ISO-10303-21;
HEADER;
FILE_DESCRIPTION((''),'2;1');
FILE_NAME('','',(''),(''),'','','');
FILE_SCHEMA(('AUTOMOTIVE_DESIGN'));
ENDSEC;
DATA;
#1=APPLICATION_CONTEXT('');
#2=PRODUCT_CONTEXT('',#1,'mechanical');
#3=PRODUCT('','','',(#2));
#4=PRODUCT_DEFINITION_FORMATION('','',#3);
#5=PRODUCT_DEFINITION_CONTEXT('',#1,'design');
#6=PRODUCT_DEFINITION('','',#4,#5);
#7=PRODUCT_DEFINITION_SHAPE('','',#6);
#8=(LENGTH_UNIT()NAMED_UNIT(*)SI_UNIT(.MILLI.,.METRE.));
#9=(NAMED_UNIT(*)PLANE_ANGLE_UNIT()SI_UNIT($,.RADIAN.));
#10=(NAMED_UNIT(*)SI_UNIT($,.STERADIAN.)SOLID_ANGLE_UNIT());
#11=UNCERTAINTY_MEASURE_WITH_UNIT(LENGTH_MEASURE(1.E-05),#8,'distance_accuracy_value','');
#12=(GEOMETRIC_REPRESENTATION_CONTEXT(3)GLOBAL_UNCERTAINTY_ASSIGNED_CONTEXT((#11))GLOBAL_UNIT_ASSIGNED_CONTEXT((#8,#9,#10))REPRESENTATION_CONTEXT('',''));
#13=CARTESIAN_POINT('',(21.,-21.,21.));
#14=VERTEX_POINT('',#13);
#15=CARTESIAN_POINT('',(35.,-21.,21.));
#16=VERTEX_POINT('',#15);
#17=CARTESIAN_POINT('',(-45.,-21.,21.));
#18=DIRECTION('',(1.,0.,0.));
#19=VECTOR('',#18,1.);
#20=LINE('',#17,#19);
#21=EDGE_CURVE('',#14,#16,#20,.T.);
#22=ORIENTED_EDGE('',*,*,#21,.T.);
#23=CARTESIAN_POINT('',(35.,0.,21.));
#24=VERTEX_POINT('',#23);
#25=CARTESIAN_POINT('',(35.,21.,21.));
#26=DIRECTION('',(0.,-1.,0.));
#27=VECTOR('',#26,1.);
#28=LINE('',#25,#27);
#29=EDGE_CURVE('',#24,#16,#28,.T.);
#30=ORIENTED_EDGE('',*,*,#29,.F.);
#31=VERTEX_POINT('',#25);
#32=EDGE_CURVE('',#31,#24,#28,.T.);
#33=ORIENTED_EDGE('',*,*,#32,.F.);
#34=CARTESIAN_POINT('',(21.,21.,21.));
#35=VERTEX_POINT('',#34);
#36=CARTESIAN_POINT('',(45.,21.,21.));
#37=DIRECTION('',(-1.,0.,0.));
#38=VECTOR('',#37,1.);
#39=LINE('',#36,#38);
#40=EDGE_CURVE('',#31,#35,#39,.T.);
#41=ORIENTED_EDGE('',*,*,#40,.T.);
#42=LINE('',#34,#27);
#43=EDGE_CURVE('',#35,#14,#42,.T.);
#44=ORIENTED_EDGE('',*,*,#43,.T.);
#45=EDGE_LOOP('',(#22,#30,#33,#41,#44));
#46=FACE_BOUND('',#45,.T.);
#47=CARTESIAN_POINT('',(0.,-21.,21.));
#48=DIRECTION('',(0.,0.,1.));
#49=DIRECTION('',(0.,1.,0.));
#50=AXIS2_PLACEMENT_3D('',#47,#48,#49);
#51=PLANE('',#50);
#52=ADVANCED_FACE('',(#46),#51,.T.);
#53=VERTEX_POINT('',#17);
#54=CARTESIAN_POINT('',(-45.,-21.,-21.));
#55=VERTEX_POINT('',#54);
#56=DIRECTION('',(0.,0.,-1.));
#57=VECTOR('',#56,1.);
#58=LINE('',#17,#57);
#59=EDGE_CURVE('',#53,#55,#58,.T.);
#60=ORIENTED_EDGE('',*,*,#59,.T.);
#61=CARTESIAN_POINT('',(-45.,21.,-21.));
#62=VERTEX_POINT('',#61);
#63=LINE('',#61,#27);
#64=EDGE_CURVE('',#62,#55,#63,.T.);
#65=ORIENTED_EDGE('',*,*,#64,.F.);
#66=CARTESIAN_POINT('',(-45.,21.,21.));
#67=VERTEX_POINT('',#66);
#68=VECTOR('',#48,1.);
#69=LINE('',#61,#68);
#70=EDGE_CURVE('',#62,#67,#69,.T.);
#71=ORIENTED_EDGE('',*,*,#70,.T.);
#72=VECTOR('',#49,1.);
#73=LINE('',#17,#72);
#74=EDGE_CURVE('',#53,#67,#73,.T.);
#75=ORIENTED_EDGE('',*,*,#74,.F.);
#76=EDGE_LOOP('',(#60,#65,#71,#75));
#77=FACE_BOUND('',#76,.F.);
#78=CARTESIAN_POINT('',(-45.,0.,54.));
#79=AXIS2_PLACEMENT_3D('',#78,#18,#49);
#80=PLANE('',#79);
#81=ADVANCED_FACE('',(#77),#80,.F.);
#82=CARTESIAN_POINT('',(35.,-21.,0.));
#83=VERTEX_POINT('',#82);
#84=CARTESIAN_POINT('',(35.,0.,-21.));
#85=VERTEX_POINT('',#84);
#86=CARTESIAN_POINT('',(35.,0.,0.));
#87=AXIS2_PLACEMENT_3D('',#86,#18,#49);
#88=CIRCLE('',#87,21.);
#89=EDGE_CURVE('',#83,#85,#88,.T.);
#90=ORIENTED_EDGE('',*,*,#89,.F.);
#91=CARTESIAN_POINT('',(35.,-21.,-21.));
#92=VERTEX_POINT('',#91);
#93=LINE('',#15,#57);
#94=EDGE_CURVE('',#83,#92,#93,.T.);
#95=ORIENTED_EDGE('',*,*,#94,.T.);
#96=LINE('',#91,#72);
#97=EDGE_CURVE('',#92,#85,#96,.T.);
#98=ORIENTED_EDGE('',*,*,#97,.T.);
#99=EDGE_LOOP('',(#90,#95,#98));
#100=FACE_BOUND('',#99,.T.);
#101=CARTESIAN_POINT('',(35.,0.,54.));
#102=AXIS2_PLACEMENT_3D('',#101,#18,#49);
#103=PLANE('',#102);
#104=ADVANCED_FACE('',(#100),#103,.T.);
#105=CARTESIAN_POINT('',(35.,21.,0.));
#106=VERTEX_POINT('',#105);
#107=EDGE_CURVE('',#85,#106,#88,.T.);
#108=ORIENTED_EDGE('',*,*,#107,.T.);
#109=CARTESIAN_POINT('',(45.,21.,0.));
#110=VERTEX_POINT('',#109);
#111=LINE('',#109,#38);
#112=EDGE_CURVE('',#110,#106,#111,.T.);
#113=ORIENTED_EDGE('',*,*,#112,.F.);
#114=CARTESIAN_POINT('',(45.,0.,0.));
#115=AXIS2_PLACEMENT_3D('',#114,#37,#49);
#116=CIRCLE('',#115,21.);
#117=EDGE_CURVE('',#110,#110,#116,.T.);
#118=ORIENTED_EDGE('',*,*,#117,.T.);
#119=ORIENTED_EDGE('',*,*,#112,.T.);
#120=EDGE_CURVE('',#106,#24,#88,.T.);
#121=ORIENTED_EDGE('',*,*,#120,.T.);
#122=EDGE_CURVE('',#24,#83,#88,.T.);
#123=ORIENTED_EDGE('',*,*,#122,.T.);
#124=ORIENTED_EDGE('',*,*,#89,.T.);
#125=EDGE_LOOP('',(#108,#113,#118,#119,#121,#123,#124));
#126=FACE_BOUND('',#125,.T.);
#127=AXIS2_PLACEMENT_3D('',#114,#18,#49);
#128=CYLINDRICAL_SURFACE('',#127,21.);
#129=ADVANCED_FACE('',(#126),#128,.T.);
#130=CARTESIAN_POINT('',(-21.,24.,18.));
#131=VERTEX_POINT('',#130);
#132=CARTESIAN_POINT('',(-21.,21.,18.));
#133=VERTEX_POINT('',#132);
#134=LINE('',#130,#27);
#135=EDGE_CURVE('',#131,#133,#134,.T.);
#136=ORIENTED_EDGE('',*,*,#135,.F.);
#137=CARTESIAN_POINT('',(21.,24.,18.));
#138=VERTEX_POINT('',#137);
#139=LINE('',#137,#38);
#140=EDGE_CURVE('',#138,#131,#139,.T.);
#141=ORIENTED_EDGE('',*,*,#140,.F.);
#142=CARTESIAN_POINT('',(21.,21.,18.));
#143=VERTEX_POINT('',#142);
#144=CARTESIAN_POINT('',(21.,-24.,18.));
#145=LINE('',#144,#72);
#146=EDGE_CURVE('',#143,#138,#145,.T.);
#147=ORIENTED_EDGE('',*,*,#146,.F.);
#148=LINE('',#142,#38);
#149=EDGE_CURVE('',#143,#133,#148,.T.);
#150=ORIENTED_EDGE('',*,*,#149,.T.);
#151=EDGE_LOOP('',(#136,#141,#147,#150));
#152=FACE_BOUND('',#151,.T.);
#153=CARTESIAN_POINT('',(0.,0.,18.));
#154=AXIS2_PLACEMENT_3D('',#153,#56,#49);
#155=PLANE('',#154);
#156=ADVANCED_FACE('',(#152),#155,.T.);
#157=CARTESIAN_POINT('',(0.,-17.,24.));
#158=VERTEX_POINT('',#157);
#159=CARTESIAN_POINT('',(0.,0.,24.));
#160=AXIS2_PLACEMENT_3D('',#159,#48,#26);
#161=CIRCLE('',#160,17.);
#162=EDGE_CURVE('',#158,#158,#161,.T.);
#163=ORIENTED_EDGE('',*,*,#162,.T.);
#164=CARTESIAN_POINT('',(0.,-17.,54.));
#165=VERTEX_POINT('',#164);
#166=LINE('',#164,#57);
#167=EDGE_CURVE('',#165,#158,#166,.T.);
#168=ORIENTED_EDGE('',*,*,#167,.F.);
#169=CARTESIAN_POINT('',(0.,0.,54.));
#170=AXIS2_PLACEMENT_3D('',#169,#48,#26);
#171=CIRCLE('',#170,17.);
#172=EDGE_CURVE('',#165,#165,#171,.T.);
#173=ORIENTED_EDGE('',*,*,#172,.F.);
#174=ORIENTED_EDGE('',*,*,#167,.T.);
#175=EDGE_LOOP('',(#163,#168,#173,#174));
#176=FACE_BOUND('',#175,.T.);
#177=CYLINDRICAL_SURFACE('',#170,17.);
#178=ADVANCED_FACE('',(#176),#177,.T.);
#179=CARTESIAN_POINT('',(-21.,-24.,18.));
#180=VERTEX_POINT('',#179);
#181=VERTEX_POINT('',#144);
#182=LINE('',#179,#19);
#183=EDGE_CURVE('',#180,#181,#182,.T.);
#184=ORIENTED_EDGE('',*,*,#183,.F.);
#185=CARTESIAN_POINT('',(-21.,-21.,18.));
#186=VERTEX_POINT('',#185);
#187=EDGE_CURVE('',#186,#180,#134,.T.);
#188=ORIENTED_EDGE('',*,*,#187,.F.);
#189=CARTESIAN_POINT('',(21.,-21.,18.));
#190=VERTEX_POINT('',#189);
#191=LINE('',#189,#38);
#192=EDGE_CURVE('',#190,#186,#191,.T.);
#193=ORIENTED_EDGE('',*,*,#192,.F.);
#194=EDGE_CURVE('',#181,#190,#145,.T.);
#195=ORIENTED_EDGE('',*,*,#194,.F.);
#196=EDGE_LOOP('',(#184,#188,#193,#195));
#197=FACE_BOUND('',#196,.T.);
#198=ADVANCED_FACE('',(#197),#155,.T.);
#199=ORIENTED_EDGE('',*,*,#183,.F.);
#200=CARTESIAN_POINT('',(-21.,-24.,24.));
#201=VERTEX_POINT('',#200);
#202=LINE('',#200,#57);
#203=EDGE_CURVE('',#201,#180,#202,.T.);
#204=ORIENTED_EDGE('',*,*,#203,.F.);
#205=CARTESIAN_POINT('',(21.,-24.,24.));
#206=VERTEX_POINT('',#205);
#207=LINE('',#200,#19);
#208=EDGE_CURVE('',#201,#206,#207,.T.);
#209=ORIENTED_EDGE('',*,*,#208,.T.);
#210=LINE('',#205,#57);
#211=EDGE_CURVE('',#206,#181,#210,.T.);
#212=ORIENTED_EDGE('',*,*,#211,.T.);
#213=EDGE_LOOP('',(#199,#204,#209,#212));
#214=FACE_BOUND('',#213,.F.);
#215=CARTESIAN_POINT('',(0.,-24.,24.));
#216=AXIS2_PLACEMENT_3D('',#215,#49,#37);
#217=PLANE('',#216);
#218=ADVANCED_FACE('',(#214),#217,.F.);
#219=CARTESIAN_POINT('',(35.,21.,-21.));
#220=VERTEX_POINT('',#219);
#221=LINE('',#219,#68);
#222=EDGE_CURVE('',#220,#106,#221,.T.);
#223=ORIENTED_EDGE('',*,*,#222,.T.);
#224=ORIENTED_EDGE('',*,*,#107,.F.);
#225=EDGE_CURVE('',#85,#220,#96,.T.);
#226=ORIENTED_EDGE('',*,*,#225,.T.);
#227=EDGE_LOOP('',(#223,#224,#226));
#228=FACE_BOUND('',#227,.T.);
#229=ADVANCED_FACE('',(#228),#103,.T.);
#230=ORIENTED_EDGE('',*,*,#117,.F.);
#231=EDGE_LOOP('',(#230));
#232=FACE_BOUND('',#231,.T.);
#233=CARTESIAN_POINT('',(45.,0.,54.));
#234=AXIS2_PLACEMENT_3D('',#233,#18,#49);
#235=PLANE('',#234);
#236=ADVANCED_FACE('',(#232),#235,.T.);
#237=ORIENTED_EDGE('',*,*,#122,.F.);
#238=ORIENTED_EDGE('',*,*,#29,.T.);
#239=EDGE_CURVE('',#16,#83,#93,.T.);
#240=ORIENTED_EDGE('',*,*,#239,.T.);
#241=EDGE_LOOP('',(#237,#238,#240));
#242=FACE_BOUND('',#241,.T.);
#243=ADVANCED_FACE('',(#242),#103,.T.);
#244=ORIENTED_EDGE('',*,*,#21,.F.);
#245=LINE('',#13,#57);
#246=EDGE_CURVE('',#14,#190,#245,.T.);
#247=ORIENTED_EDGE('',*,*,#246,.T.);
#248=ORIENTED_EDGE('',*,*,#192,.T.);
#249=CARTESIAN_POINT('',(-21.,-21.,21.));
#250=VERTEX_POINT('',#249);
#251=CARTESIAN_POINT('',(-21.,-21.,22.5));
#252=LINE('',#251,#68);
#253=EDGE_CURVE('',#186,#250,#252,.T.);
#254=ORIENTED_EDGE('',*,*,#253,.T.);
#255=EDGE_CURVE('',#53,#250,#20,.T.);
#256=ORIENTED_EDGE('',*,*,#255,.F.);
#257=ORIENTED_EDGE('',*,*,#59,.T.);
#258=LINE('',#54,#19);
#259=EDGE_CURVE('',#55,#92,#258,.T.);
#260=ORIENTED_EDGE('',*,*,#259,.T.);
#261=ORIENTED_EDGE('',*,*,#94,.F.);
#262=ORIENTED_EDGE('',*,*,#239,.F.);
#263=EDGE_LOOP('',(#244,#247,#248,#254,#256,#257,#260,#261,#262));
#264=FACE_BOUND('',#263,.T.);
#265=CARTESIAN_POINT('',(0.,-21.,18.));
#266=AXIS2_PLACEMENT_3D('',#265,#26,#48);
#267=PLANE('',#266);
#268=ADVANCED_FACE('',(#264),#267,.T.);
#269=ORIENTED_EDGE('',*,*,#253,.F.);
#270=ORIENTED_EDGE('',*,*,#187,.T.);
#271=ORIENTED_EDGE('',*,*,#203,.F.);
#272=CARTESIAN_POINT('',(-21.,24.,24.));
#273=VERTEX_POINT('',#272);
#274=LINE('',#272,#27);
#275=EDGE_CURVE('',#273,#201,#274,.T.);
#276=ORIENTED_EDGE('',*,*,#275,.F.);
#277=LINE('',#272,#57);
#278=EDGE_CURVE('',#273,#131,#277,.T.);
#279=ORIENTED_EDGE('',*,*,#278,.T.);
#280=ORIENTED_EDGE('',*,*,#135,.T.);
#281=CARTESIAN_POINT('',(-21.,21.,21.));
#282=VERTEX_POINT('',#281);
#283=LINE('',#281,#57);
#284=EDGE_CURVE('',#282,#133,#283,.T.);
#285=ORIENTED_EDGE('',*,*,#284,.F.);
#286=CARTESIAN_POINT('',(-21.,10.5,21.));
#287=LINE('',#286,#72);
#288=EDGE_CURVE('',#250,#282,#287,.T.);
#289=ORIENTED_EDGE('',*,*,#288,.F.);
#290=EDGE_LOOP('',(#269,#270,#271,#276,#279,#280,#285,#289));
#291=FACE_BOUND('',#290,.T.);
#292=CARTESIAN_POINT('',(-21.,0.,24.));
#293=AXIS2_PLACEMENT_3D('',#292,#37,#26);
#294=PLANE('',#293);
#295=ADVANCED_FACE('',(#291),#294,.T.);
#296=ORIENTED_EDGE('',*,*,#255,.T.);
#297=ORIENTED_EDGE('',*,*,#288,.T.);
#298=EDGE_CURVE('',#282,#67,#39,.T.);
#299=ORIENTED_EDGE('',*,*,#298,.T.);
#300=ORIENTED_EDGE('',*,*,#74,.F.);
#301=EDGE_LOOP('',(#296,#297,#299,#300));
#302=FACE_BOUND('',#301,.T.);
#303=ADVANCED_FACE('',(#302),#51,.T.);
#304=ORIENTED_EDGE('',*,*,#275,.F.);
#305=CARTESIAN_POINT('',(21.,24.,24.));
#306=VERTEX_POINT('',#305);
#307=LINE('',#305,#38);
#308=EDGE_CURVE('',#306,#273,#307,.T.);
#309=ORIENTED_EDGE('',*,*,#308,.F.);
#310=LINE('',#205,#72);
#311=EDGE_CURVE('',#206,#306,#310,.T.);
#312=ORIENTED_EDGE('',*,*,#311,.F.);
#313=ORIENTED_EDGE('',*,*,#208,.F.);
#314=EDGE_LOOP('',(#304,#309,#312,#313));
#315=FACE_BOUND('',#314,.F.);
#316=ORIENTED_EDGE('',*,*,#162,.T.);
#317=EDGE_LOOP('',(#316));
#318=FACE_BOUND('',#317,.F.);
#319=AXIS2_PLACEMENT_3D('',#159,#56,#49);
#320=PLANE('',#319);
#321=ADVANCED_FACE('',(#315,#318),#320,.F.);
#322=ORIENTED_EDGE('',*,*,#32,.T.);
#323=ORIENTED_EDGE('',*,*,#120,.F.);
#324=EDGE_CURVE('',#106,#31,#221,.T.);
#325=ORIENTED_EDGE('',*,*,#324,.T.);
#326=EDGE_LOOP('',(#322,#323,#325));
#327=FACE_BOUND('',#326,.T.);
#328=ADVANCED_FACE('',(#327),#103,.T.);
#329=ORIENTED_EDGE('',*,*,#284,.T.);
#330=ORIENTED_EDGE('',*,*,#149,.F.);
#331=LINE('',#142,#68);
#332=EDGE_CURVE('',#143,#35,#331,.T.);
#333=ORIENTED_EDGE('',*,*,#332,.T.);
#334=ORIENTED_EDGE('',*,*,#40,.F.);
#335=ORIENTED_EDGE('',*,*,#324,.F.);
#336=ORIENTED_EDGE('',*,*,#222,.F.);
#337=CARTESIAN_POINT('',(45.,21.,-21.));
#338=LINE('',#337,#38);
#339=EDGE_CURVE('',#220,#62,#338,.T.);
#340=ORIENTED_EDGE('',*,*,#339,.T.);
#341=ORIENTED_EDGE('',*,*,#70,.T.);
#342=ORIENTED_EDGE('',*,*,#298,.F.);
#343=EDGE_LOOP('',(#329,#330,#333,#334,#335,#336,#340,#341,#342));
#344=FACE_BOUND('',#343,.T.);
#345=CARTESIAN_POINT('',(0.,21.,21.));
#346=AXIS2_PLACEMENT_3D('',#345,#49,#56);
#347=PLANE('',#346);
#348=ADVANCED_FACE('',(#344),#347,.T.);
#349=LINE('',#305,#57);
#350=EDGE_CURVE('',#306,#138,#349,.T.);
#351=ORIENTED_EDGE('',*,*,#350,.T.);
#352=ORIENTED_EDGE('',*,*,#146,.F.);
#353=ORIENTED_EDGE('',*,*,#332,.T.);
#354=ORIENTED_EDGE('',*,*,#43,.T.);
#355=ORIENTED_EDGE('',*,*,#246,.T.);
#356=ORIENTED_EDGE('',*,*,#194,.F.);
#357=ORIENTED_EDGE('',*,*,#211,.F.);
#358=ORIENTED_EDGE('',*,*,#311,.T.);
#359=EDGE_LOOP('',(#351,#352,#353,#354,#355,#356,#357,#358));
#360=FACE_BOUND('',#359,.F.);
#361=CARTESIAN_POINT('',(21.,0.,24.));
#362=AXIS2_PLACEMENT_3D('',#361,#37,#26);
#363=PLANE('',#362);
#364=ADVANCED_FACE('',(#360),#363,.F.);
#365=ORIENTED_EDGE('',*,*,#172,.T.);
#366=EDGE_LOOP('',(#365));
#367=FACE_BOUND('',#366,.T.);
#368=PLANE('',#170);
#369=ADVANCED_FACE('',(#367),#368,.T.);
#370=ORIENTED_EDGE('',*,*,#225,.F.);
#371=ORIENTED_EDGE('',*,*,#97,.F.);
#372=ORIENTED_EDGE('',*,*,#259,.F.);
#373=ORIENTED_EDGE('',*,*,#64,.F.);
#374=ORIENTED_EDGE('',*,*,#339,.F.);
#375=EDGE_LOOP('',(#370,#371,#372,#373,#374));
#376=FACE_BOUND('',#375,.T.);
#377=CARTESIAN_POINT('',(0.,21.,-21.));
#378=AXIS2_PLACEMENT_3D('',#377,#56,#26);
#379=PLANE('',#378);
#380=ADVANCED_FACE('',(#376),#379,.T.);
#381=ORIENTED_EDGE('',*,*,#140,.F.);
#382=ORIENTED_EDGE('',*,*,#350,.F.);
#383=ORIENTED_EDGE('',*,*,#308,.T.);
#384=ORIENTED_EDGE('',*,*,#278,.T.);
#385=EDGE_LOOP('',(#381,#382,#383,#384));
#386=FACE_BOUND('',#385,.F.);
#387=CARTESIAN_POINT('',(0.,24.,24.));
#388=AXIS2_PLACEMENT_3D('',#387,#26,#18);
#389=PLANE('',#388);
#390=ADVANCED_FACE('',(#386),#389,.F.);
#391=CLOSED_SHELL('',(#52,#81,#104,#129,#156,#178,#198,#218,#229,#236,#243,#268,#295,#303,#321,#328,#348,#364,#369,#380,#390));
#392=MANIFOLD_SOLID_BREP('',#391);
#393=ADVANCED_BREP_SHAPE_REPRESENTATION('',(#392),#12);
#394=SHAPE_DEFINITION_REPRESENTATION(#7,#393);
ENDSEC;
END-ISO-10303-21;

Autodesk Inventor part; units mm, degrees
ref_plane "YZ Plane" through (0, 0, 0) normal (1, 0, 0) x (0, 1, 0)
ref_plane "XZ Plane" through (0, 0, 0) normal (0, 1, 0) x (-1, 0, 0)
ref_plane "XY Plane" through (0, 0, 0) normal (0, 0, 1) x (1, 0, 0)
sketch "Sketch1" plane through (0, 0, 0) normal (0, 1, 0) x (-1, 0, 0)
  circle A0 centre (0, 0) radius 17
  dimension "d0" = 34
extrude "Extrusion1" add sketch "Sketch1" against normal blind 30
sketch "Sketch2" plane through (0, -30, 0) normal (0, -1, 0) x (1, 0, 0)
  circle A0 centre (0, 0) radius 17 projected
  line L0 (0, 0) -> (0, -21) construction
  line L1 (0, 0) -> (-24, 0) construction
  line L2 (0, -21) -> (-24, -21)
  line L3 (-24, 0) -> (-24, -21)
  line L4 (0, -21) -> (24, -21)
  line L5 (24, 0) -> (24, -21)
  line L6 (0, 21) -> (-24, 21)
  line L7 (-24, 0) -> (-24, 21)
  line L8 (0, 21) -> (24, 21)
  line L9 (24, 0) -> (24, 21)
  dimension "d5" = 21
  dimension "d6" = 24
extrude "Extrusion2" add sketch "Sketch2" along normal blind 6 contours A0 | L2 L3 L7 L6 L8 L9 L5 L4
sketch "Sketch3" plane through (-24, -30, 21) normal (0, 0, 1) x (1, 0, 0)
  line L0 (0, 0) -> (48, 0) projected
  line L1 (48, -6) -> (0, -6) projected
  line L2 (3, -6) -> (45, -6)
  line L3 (45, -6) -> (45, -3)
  line L4 (45, -3) -> (3, -3)
  line L5 (3, -3) -> (3, -6)
  line L6 (24, 0) -> (24, -6) construction
  line L7 (24, -3) -> (24, -6) construction
  point P0 (24, 30)
  dimension "d9" = 3
  dimension "d11" = 42
extrude "Extrusion3" cut sketch "Sketch3" against normal through all
sketch "Sketch4" plane through (0, 0, 0) normal (0, 0, 1) x (1, 0, 0)
  line L0 (-21, -33) -> (21, -33)
  line L1 (21, -33) -> (21, -75)
  line L2 (21, -75) -> (-21, -75)
  line L3 (-21, -75) -> (-21, -33)
  line L4 (-21, -36) -> (-21, -33) projected
  line L5 (-21, -33) -> (21, -33) projected
  line L6 (21, -33) -> (21, -36) projected
  point P0 (0, 0)
extrude "Extrusion4" add sketch "Sketch4" along normal mid plane 90
sketch "Sketch5" plane through (0, 0, 45) normal (0, 0, 1) x (1, 0, 0)
  line L0 (21, -33) -> (-21, -33) projected
  line L1 (-21, -33) -> (-21, -75) projected
  line L2 (-21, -75) -> (21, -75) projected
  line L3 (21, -75) -> (21, -33) projected
  line L4 (-21, -33) -> (21, -75) construction
  circle A0 centre (0, -54) radius 21
  point P0 (0, 0)
extrude "Extrusion5" cut sketch "Sketch5" against normal blind 10 contours L3 A0 L0 | A0 L1 L0 | L3 L2 A0 | A0 L2 L1
move or copy body "Move Body1" bodies to move or copy 1 copy no rotation origin (0, 0, 0) rotation axis (1, 0, 0) rotation angle 90
move or copy body "Move Body2" bodies to move or copy 1 copy no rotation origin (0, 0, 0) rotation axis (0, 0, 1) rotation angle 90
move or copy body "Move Body3" bodies to move or copy 1 copy no translate (0, 0, 54)
properties part number "Wrist_Yaw"
